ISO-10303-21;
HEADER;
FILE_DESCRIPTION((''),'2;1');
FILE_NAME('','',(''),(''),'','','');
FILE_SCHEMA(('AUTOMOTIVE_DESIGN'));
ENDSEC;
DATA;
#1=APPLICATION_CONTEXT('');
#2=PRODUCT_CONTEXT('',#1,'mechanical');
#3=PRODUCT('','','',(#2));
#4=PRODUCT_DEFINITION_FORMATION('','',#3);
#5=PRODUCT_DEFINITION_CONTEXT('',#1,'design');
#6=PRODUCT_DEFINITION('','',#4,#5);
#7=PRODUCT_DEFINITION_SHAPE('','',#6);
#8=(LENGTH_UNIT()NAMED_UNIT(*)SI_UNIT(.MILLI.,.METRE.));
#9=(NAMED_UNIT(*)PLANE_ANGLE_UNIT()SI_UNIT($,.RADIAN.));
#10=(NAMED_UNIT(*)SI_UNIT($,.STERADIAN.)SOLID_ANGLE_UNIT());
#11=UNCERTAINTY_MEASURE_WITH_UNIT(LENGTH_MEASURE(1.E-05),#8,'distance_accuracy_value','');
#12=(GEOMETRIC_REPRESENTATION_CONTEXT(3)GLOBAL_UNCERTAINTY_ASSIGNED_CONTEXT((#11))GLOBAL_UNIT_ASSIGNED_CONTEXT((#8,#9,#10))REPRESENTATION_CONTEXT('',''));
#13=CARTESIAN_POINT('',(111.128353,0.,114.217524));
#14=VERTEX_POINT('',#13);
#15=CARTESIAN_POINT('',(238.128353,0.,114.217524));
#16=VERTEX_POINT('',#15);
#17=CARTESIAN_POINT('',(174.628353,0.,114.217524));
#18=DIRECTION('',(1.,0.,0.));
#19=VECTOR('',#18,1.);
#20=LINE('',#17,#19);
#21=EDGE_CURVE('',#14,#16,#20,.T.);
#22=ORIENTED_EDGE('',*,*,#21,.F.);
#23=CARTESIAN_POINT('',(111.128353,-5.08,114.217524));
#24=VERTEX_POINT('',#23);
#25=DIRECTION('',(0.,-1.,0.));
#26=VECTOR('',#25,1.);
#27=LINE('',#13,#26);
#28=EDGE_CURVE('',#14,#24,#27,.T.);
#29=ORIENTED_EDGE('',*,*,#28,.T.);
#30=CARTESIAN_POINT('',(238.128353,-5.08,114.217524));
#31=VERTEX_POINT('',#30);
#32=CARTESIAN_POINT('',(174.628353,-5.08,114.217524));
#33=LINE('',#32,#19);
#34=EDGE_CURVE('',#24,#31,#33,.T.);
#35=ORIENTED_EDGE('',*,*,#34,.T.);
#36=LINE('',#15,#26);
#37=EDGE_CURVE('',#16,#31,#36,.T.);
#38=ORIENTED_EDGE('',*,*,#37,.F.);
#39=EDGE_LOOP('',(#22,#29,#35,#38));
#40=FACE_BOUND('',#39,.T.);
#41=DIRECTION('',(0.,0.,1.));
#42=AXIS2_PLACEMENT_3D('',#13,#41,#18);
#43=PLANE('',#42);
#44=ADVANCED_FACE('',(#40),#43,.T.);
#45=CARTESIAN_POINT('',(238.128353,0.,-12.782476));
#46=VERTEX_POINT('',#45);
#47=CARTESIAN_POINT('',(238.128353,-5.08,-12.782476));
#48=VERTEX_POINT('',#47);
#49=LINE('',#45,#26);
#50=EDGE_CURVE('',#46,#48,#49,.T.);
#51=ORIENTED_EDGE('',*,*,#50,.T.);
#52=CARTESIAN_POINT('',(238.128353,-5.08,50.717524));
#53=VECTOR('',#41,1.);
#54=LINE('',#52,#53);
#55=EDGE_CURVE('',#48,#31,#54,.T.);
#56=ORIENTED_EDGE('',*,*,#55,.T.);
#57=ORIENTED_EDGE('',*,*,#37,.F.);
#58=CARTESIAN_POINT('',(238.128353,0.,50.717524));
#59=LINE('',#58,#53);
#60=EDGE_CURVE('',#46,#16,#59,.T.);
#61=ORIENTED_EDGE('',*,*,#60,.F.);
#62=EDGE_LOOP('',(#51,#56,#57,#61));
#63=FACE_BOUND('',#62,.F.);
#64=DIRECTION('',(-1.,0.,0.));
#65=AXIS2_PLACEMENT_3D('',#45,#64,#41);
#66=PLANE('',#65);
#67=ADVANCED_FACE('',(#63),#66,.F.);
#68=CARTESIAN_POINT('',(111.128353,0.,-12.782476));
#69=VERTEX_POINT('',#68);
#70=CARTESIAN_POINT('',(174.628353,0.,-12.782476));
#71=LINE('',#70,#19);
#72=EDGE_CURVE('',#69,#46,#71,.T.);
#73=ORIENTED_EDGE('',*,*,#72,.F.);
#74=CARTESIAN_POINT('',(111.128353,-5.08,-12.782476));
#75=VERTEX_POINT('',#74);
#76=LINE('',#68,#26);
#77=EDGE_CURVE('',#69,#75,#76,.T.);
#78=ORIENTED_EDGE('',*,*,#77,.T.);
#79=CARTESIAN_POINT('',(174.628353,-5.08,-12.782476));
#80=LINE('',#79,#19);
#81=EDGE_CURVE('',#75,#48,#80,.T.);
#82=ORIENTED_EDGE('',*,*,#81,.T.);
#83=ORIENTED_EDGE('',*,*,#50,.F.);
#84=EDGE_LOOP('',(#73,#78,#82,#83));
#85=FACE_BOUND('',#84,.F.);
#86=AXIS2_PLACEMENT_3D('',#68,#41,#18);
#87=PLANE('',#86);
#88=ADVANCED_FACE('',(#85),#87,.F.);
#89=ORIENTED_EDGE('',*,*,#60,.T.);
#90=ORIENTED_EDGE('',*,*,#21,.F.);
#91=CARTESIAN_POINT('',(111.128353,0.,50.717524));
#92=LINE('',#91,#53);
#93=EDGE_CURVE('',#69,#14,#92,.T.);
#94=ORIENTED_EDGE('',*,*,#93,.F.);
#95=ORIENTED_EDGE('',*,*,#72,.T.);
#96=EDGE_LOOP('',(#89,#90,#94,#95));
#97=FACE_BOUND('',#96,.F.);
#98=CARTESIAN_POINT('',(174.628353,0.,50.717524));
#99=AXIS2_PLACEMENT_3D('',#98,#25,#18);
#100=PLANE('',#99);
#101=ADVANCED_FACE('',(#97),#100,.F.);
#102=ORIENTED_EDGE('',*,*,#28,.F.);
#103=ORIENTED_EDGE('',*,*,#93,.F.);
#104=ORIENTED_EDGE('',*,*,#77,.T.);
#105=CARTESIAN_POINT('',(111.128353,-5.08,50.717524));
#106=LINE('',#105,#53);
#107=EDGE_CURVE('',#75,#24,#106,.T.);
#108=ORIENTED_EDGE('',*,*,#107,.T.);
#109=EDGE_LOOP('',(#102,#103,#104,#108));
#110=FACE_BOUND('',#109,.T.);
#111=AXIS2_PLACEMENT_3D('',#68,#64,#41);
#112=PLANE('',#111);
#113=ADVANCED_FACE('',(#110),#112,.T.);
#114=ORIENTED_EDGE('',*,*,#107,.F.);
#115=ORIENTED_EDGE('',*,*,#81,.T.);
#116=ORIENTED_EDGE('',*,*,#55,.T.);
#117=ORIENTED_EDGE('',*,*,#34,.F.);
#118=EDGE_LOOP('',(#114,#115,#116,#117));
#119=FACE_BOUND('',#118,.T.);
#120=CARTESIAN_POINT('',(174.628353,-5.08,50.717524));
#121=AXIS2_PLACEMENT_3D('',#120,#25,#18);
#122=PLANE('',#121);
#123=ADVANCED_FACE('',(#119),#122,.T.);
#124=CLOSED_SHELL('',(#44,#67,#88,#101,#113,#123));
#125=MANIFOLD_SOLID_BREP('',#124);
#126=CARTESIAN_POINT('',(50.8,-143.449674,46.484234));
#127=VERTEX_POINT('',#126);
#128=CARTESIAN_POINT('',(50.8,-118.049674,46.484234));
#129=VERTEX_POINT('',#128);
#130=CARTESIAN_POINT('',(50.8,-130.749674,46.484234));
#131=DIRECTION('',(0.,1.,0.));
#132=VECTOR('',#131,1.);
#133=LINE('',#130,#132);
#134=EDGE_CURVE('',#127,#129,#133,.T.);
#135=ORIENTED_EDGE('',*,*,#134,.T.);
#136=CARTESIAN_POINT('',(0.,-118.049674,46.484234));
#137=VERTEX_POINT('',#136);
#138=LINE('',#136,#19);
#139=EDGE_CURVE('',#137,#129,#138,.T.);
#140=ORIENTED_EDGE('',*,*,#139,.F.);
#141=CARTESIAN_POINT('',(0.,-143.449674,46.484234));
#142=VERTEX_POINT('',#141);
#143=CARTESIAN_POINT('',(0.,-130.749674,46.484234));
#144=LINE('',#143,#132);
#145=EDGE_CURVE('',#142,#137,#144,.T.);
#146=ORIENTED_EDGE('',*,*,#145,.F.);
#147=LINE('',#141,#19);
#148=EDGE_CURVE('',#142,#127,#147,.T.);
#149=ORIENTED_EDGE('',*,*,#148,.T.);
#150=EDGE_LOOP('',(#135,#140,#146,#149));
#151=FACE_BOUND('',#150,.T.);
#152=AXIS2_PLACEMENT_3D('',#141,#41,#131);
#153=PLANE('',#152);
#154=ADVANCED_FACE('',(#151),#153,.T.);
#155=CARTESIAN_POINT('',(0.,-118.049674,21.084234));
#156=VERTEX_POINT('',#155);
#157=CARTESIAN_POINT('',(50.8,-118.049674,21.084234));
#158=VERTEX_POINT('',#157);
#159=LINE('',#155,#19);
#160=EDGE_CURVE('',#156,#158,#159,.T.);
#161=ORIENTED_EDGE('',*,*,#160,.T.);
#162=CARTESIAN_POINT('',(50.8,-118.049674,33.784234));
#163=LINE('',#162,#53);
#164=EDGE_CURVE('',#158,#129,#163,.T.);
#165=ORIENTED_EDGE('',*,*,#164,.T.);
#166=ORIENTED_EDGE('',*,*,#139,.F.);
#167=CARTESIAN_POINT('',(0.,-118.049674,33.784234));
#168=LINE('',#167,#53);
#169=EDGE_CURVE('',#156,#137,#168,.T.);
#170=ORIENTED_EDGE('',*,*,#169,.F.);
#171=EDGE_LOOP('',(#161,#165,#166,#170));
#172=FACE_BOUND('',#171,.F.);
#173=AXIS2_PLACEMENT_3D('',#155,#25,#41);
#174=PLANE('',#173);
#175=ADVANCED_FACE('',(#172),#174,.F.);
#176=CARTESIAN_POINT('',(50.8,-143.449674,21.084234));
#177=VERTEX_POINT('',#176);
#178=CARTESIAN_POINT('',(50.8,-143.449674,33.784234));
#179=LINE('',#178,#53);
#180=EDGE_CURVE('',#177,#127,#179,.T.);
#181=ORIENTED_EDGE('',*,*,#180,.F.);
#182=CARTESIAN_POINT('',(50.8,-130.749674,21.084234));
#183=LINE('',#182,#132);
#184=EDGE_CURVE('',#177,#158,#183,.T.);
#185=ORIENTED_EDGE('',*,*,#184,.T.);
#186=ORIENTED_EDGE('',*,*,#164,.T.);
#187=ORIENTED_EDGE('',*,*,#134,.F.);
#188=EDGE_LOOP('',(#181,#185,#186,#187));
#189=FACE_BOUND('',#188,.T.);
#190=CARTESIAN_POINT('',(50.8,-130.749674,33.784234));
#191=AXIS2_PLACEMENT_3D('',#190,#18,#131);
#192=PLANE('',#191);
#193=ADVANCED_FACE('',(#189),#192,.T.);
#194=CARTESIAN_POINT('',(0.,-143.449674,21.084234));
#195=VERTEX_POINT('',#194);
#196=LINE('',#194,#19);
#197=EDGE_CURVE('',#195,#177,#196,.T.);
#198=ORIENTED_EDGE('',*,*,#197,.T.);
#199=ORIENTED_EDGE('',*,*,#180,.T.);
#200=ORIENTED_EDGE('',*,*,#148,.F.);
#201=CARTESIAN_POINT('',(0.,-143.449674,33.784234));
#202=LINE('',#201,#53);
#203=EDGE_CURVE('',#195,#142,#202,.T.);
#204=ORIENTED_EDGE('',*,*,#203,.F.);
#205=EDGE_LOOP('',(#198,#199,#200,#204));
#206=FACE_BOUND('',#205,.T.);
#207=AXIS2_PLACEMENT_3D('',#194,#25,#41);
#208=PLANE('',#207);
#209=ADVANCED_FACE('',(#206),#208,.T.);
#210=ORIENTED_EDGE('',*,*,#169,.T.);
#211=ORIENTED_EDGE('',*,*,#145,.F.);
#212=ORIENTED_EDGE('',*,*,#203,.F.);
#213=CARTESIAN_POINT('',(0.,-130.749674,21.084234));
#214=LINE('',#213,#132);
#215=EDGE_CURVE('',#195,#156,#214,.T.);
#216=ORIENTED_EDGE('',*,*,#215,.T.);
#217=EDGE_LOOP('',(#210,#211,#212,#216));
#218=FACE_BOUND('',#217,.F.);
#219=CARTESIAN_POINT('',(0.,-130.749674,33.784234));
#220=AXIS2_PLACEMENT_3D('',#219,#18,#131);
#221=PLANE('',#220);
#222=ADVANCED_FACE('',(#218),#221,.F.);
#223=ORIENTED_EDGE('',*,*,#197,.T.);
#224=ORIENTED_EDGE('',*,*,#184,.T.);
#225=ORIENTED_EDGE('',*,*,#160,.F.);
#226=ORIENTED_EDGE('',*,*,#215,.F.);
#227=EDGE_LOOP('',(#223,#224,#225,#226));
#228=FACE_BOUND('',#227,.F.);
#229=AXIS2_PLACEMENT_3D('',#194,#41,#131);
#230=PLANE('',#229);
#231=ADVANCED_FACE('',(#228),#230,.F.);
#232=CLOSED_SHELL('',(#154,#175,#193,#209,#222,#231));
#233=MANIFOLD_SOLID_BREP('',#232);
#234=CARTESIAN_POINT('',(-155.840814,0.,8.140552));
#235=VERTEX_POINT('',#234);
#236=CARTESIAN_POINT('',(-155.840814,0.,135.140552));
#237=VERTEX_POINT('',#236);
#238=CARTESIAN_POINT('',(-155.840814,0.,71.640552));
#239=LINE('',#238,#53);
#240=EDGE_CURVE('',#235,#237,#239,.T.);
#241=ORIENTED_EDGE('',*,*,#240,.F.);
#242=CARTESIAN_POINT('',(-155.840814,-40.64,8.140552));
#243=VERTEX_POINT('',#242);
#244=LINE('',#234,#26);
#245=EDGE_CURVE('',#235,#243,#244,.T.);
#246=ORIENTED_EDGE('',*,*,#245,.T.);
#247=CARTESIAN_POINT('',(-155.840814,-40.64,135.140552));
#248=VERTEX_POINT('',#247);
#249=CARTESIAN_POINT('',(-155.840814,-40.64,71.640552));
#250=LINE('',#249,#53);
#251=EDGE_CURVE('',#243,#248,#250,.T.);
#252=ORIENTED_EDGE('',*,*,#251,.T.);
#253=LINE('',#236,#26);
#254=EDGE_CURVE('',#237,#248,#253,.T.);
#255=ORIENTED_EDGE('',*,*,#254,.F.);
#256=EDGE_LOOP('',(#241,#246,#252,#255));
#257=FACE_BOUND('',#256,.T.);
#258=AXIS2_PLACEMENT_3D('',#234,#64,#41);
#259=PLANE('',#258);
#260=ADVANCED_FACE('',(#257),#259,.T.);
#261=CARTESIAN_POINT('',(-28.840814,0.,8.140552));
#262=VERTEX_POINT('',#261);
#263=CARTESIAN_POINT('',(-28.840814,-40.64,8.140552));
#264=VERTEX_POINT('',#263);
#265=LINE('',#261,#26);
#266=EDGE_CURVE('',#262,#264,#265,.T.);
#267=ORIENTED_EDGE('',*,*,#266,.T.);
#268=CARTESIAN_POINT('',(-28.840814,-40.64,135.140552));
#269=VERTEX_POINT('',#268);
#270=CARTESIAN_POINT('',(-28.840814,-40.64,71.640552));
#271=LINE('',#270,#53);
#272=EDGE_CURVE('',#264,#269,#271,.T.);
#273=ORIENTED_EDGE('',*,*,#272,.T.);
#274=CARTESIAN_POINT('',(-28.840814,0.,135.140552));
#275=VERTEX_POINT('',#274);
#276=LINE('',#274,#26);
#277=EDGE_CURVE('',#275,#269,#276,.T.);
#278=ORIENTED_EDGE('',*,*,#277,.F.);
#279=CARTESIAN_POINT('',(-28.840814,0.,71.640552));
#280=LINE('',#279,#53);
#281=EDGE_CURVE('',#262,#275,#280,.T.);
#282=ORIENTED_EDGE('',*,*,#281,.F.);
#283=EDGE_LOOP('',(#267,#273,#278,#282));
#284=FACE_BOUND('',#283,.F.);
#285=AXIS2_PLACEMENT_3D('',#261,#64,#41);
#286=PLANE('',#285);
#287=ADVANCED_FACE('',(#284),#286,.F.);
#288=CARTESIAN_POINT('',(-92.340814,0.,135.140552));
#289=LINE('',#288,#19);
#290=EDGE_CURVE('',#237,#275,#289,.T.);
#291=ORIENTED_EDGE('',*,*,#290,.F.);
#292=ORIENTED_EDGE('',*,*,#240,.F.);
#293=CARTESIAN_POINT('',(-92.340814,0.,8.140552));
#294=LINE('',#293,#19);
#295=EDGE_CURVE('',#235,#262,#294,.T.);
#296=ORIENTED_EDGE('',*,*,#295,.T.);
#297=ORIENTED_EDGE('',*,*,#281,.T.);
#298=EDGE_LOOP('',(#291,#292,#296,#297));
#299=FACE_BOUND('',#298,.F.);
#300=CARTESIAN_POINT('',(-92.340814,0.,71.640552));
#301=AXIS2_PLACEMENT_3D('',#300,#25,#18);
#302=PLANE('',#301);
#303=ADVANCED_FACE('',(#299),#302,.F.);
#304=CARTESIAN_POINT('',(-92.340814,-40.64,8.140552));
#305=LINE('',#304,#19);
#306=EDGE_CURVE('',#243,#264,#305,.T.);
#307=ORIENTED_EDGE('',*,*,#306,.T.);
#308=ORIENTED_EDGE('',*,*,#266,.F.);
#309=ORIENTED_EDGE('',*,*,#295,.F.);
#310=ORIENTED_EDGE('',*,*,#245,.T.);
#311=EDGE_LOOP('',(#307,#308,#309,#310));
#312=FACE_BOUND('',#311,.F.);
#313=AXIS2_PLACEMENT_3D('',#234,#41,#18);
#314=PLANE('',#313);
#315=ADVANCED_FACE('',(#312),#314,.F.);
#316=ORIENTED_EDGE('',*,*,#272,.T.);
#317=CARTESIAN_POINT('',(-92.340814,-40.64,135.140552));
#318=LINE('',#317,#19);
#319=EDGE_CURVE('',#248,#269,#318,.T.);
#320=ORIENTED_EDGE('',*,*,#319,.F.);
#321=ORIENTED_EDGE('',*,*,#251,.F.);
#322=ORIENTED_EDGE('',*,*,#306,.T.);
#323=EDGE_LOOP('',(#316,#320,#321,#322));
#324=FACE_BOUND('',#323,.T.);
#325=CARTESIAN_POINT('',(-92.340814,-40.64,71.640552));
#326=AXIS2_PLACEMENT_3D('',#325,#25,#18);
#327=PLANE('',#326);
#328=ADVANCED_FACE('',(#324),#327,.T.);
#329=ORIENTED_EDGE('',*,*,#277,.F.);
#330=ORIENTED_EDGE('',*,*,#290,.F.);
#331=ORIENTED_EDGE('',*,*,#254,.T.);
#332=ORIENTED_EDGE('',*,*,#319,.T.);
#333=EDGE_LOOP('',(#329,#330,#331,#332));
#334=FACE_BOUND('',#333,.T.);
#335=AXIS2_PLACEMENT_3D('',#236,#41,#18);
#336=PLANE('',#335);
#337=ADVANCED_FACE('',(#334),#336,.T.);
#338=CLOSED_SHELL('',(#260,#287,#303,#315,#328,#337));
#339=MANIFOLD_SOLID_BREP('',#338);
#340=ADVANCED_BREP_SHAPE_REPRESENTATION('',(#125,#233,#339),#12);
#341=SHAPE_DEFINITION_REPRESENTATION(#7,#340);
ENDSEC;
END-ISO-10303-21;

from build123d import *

# Parameters (mm, degrees)
F0_W     = 127
F0_H     = 127
F1_DEPTH = 40.64
F2_W     = 25.4
F2_H     = 25.4
F3_DEPTH = 50.8
F4_W     = 127
F4_H     = 127
F5_DEPTH = 5.08


with BuildPart() as f1:
    # F0 (on Front) → F1 (new body)
    with BuildSketch(Plane.XZ):
        with Locations((-92.340814, 71.640552)):
            Rectangle(F0_W, F0_H)
    extrude(amount=F1_DEPTH)


with BuildPart() as f3:
    # F2 (on Right) → F3 (new body)
    with BuildSketch(Plane.YZ):
        with Locations((-130.749674, 33.784234)):
            Rectangle(F2_W, F2_H)
    extrude(amount=F3_DEPTH)


with BuildPart() as f5:
    # F4 (on Front) → F5 (new body)
    with BuildSketch(Plane.XZ):
        with Locations((174.628353, 50.717524)):
            Rectangle(F4_W, F4_H)
    extrude(amount=F5_DEPTH)


solid = Compound([f1.part, f3.part, f5.part])
